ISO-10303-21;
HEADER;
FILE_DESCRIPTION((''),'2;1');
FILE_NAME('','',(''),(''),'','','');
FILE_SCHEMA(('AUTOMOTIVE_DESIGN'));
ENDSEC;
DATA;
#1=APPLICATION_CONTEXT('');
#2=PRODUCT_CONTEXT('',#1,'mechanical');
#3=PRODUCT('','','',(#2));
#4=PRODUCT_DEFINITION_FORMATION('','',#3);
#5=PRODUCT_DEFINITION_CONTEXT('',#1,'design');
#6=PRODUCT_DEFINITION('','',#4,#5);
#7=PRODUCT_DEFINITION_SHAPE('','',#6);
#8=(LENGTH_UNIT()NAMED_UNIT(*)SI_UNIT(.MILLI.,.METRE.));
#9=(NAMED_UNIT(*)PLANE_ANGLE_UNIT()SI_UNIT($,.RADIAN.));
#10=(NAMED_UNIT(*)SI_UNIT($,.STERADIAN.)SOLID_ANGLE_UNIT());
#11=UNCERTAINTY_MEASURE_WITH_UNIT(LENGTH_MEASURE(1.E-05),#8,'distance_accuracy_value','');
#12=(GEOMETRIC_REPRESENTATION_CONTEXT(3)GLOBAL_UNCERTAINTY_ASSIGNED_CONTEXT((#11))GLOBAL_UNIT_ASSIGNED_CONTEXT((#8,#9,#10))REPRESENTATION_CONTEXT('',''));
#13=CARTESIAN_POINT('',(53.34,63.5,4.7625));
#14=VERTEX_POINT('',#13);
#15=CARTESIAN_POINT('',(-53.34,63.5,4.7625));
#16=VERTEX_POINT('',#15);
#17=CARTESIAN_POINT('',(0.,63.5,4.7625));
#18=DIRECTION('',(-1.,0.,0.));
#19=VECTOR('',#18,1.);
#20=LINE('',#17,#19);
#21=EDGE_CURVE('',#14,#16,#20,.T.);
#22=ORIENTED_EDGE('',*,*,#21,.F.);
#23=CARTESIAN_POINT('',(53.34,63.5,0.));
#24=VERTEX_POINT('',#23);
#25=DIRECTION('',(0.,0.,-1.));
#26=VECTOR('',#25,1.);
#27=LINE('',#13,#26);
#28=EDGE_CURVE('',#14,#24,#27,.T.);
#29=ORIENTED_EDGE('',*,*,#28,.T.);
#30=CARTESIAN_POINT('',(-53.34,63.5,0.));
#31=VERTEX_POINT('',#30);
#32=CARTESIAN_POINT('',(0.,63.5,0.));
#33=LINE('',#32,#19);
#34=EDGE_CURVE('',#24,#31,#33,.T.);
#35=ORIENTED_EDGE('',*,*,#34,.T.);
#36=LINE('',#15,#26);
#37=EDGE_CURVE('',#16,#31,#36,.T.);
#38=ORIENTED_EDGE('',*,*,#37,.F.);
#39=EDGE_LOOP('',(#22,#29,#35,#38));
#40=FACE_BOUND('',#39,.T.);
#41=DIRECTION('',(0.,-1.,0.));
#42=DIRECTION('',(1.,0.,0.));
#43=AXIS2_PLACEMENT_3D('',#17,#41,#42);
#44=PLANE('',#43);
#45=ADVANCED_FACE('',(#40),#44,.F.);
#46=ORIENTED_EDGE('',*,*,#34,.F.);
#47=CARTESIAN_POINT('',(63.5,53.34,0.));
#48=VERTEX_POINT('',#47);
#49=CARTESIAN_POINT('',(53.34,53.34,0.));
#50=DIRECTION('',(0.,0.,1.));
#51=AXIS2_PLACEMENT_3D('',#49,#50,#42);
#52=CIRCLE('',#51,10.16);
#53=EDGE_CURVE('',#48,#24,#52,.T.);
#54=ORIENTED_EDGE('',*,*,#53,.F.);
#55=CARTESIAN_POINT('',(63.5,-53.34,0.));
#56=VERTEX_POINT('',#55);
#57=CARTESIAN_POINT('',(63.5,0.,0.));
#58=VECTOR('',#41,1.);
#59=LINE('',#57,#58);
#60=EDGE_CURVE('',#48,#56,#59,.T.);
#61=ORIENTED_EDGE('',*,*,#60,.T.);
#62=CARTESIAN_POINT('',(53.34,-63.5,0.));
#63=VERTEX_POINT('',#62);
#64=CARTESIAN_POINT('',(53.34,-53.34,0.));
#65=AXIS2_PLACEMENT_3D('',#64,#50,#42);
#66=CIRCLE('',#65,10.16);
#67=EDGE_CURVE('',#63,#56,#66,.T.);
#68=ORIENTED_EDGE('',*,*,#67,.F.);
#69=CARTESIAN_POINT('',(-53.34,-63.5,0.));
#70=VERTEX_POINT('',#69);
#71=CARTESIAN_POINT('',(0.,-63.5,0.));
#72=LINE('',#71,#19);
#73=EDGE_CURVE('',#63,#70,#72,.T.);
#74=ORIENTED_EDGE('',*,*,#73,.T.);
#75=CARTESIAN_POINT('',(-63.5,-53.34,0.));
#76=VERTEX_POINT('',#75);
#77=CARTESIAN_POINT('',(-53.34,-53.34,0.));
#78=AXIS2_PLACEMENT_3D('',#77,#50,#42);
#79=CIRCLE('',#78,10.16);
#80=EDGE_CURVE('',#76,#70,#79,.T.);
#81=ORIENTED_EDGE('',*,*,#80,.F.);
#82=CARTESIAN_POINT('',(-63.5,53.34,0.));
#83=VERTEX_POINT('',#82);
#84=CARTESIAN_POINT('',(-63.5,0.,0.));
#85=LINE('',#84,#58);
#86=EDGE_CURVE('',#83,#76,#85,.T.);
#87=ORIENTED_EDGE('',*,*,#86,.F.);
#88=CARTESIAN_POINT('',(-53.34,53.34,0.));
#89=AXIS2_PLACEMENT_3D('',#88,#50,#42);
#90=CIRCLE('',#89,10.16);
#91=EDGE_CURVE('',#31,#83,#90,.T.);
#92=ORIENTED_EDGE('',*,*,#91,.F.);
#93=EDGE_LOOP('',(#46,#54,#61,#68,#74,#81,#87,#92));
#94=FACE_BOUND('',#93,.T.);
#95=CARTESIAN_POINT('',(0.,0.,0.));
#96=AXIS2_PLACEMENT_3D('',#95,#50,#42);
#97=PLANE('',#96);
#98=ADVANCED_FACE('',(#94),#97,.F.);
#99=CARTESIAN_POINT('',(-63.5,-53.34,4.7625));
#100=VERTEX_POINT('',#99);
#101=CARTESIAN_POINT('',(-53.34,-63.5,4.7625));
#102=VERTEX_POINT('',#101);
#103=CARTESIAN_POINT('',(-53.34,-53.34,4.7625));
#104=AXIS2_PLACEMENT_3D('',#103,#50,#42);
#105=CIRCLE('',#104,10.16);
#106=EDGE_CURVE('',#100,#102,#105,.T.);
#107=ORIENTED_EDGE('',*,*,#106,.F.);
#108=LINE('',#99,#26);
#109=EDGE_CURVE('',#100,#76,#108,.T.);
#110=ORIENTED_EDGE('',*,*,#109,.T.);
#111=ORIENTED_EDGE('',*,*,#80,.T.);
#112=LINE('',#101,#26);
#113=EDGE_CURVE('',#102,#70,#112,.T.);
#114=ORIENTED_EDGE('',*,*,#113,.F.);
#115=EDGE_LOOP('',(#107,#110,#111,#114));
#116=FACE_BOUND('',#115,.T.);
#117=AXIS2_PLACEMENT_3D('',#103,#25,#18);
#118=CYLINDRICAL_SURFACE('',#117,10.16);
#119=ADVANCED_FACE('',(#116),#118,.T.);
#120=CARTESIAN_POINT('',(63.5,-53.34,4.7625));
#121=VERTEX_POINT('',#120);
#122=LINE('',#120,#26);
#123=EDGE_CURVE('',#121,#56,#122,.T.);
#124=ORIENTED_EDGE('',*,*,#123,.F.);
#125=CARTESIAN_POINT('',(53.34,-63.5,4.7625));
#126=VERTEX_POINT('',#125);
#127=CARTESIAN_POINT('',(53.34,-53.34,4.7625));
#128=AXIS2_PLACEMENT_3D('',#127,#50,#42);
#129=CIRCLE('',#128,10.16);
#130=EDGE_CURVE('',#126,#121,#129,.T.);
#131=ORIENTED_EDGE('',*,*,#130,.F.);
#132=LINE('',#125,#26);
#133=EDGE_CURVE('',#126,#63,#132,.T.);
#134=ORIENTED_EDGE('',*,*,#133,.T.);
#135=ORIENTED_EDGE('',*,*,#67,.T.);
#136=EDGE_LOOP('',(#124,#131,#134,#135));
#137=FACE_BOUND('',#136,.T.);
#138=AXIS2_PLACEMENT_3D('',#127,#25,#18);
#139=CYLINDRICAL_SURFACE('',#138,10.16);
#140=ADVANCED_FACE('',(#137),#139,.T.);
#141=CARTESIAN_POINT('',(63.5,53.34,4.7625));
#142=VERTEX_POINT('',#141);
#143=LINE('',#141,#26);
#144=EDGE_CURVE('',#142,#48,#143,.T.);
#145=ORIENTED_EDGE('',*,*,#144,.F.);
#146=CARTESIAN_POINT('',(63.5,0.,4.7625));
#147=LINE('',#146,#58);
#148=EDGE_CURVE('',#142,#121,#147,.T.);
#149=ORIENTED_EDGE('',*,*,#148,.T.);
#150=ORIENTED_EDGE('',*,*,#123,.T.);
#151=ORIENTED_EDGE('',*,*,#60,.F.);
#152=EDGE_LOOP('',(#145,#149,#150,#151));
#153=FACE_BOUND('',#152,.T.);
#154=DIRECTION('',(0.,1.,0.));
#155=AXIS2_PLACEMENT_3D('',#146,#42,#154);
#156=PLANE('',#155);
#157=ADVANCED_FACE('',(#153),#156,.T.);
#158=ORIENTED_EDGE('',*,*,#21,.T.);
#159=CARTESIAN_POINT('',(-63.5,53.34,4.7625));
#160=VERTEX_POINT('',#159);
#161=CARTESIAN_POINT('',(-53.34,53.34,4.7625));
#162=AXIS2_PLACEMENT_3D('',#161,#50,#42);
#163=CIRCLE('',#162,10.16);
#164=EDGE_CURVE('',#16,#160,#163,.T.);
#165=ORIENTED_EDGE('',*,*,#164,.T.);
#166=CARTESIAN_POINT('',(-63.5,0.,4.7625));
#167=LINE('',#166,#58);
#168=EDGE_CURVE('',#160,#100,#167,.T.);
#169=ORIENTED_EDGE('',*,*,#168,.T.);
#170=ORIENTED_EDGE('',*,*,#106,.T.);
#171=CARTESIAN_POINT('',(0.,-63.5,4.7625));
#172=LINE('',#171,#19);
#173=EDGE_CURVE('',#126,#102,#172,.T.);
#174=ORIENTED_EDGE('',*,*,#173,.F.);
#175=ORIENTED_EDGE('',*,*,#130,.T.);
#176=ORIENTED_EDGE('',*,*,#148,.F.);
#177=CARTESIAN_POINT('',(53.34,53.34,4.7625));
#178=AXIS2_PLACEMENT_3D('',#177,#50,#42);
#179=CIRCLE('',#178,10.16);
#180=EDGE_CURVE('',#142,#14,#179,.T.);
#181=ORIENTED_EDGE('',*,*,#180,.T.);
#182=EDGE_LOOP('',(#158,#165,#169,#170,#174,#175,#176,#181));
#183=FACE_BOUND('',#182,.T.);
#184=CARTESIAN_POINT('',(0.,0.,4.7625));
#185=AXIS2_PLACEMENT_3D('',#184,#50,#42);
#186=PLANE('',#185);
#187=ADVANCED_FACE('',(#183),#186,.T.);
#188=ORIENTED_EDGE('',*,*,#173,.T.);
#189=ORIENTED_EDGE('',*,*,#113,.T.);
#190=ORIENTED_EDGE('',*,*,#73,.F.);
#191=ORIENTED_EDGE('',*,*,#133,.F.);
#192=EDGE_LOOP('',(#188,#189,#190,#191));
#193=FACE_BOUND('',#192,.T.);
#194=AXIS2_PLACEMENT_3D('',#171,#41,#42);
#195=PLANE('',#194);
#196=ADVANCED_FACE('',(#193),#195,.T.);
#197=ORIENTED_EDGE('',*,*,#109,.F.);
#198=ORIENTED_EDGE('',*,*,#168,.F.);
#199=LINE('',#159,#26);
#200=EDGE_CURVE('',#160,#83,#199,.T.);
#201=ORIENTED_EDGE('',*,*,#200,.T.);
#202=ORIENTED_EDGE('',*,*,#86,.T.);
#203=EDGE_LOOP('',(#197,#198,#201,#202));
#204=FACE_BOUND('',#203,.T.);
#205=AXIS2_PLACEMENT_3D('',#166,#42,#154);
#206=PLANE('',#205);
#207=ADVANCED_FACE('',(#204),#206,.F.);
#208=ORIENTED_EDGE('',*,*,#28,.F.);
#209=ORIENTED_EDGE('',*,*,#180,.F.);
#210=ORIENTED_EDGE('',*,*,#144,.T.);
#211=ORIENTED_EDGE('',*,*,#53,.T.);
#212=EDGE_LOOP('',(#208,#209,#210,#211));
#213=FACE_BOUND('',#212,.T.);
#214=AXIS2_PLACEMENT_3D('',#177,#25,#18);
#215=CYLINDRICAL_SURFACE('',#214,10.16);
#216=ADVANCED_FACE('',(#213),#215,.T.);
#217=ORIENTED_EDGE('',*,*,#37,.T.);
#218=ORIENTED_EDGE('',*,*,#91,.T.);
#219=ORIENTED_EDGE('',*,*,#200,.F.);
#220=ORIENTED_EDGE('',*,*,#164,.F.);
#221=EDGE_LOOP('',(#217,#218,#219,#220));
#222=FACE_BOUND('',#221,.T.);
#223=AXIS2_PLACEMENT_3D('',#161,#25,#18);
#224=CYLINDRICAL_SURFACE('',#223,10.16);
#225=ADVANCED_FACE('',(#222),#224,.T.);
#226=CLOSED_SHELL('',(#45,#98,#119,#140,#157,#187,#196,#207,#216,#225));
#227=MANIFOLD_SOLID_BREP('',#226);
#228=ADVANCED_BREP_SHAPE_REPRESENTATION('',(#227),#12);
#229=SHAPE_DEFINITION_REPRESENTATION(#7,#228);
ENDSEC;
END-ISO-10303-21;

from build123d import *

# Parameters (mm, degrees)
BOSS_EXTRUDE1_DEPTH = 4.7625


with BuildPart() as part:
    # Sketch1 → Boss-Extrude1 (new body)
    with BuildSketch(Plane.XY):
        with BuildLine():
            Line((53.34, 63.5), (-53.34, 63.5))
            ThreePointArc((-53.34, 63.5), (-60.524204897, 60.524204897), (-63.5, 53.34))
            Line((-63.5, 53.34), (-63.5, -53.34))
            ThreePointArc((-63.5, -53.34), (-60.524204897, -60.524204897), (-53.34, -63.5))
            Line((-53.34, -63.5), (53.34, -63.5))
            ThreePointArc((53.34, -63.5), (60.524204897, -60.524204897), (63.5, -53.34))
            Line((63.5, -53.34), (63.5, 53.34))
            ThreePointArc((63.5, 53.34), (60.524204897, 60.524204897), (53.34, 63.5))
        make_face()
        with BuildLine():
            ThreePointArc((58.42, 53.34), (56.932102448, 56.932102448), (53.34, 58.42))
            Line((53.34, 58.42), (-53.34, 58.42))
            ThreePointArc((-53.34, 58.42), (-56.932102448, 56.932102448), (-58.42, 53.34))
            Line((-58.42, 53.34), (-58.42, -53.34))
            ThreePointArc((-58.42, -53.34), (-56.932102448, -56.932102448), (-53.34, -58.42))
            Line((-53.34, -58.42), (53.34, -58.42))
            ThreePointArc((53.34, -58.42), (56.932102448, -56.932102448), (58.42, -53.34))
            Line((58.42, -53.34), (58.42, 53.34))
        make_face(mode=Mode.SUBTRACT)
        with BuildLine():
            Line((58.42, 53.34), (58.42, -53.34))
            ThreePointArc((58.42, -53.34), (56.932102448, -56.932102448), (53.34, -58.42))
            Line((53.34, -58.42), (-53.34, -58.42))
            ThreePointArc((-53.34, -58.42), (-56.932102448, -56.932102448), (-58.42, -53.34))
            Line((-58.42, -53.34), (-58.42, 53.34))
            ThreePointArc((-58.42, 53.34), (-56.932102448, 56.932102448), (-53.34, 58.42))
            Line((-53.34, 58.42), (53.34, 58.42))
            ThreePointArc((53.34, 58.42), (56.932102448, 56.932102448), (58.42, 53.34))
        make_face()
    extrude(amount=BOSS_EXTRUDE1_DEPTH)


solid = part.part
